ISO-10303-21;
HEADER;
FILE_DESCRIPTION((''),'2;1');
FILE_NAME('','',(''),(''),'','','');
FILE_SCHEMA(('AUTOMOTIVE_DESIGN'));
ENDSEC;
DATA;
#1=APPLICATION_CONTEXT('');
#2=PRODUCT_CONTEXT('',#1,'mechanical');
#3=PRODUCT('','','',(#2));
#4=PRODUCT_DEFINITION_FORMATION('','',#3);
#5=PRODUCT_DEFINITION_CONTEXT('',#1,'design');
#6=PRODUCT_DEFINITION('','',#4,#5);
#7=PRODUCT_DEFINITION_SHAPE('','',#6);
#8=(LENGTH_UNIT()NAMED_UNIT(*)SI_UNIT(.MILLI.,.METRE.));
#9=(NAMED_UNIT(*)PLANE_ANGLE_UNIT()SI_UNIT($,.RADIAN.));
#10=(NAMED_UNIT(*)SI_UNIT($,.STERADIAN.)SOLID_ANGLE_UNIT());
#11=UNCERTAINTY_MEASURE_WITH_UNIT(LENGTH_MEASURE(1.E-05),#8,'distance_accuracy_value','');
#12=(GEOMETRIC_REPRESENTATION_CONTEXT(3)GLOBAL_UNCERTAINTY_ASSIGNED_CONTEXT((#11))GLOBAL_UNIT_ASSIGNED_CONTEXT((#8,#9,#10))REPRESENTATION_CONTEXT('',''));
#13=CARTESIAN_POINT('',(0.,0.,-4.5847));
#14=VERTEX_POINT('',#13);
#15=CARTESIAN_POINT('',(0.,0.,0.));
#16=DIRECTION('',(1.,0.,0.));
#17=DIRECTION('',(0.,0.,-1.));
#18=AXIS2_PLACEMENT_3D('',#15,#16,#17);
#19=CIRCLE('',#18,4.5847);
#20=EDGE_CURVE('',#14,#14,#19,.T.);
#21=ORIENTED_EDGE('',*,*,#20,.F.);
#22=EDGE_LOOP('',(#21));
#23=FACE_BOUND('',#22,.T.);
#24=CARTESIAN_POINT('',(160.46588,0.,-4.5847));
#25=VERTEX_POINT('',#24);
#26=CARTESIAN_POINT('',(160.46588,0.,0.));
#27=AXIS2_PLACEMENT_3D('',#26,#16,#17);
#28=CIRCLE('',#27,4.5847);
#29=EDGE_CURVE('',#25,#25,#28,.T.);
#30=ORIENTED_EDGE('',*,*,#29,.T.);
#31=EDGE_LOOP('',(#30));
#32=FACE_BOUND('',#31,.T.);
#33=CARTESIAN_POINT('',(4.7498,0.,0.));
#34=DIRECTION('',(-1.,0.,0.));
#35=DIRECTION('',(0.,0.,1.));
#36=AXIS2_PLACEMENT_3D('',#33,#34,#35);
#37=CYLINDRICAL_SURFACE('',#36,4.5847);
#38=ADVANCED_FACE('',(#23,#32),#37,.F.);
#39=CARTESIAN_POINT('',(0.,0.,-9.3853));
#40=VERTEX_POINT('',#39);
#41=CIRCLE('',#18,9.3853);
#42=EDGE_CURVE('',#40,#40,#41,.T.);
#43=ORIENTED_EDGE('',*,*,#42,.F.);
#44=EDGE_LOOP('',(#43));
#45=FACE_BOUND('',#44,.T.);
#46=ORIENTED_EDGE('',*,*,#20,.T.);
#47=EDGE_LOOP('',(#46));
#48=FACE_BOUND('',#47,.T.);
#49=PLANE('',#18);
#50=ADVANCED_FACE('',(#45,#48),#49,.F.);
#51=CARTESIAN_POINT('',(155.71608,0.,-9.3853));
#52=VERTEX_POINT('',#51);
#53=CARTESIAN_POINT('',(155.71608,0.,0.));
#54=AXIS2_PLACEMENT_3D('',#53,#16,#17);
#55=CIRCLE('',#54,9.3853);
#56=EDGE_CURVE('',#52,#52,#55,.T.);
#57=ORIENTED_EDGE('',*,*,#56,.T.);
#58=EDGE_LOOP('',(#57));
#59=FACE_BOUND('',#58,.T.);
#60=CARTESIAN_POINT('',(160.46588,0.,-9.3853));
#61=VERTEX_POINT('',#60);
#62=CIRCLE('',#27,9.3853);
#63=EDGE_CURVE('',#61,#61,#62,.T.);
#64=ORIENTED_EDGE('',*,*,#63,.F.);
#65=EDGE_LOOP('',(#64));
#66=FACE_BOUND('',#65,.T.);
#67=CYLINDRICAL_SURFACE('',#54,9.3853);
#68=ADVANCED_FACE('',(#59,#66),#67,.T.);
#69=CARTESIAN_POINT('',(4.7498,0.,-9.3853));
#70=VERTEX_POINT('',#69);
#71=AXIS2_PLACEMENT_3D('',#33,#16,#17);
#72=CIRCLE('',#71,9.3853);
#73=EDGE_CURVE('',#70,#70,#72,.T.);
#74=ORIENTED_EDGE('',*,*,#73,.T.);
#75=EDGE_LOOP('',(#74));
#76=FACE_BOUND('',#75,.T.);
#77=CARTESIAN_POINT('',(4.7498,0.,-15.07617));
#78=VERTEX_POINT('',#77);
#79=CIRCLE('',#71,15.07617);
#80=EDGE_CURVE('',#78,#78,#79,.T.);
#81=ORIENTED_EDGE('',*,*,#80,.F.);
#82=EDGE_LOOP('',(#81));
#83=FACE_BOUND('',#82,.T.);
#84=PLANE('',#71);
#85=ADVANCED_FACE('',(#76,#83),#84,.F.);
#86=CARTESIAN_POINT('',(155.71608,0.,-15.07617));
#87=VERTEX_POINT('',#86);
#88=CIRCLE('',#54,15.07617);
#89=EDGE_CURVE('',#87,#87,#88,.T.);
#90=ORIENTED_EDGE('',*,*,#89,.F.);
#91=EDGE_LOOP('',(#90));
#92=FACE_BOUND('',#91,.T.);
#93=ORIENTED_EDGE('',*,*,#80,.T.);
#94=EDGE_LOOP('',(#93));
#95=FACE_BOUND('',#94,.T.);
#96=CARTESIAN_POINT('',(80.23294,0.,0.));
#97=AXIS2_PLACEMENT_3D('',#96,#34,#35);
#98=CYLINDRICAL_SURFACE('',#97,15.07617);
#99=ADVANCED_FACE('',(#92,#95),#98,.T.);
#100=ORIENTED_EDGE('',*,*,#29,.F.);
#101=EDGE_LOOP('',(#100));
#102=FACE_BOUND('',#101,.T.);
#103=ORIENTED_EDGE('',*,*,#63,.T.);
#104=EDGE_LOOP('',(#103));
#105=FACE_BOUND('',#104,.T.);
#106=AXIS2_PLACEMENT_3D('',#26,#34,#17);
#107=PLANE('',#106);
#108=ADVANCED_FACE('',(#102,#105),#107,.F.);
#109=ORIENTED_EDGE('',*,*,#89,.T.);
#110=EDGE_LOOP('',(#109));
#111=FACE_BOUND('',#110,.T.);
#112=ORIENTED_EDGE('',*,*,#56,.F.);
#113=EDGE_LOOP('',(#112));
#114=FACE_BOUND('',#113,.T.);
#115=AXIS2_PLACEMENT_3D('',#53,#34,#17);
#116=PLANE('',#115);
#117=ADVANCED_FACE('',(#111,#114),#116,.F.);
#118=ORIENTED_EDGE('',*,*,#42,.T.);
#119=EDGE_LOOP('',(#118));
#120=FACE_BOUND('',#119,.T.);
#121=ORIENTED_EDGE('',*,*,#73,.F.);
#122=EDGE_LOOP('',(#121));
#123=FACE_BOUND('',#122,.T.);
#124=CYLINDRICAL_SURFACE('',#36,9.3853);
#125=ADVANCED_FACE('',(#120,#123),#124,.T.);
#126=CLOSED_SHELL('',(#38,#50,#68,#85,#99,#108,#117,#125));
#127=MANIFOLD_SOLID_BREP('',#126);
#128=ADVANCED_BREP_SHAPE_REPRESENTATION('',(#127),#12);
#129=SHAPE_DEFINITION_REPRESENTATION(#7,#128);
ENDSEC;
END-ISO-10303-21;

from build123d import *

# Parameters (mm, degrees)
SKETCH4_R           = 9.3853
SKETCH4_R_2         = 4.5847
BOSS_EXTRUDE1_DEPTH = 4.7498
SKETCH5_R           = 15.07617
BOSS_EXTRUDE2_DEPTH = 75.48314015
SKETCH6_R           = 4.5847
CUT_EXTRUDE1_DEPTH  = 158.168951984


with BuildPart() as part:
    # Sketch4 → Boss-Extrude1 (new body)
    with BuildSketch(Plane(origin=(0, 0, 0), x_dir=(0, 0, -1), z_dir=(1, 0, 0))):
        Circle(SKETCH4_R)
        Circle(SKETCH4_R_2, mode=Mode.SUBTRACT)
    boss_extrude1 = extrude(amount=BOSS_EXTRUDE1_DEPTH)

    # Sketch5 → Boss-Extrude2 (add)
    with BuildSketch(Plane(origin=(4.7498, 0, 0), x_dir=(0, 0, -1), z_dir=(1, 0, 0))):
        Circle(SKETCH5_R)
    boss_extrude2 = extrude(amount=BOSS_EXTRUDE2_DEPTH)

    # Mirror3: Boss-Extrude2 across plane
    add(boss_extrude2.mirror(Plane(origin=(80.23294015, 0, 0), x_dir=(0, 0, 1), z_dir=(1, 0, 0))))

    # Mirror4: Boss-Extrude1 across plane
    add(boss_extrude1.mirror(Plane(origin=(80.23294015, 0, 0), x_dir=(0, 0, 1), z_dir=(1, 0, 0))))

    # Sketch6 → Cut-Extrude1 (cut, through all)
    with BuildSketch(Plane(origin=(155.7160803, 0, 0), x_dir=(0, 0, -1), z_dir=(1, 0, 0))):
        Circle(SKETCH6_R)
    extrude(amount=-CUT_EXTRUDE1_DEPTH, mode=Mode.SUBTRACT)


solid = part.part
